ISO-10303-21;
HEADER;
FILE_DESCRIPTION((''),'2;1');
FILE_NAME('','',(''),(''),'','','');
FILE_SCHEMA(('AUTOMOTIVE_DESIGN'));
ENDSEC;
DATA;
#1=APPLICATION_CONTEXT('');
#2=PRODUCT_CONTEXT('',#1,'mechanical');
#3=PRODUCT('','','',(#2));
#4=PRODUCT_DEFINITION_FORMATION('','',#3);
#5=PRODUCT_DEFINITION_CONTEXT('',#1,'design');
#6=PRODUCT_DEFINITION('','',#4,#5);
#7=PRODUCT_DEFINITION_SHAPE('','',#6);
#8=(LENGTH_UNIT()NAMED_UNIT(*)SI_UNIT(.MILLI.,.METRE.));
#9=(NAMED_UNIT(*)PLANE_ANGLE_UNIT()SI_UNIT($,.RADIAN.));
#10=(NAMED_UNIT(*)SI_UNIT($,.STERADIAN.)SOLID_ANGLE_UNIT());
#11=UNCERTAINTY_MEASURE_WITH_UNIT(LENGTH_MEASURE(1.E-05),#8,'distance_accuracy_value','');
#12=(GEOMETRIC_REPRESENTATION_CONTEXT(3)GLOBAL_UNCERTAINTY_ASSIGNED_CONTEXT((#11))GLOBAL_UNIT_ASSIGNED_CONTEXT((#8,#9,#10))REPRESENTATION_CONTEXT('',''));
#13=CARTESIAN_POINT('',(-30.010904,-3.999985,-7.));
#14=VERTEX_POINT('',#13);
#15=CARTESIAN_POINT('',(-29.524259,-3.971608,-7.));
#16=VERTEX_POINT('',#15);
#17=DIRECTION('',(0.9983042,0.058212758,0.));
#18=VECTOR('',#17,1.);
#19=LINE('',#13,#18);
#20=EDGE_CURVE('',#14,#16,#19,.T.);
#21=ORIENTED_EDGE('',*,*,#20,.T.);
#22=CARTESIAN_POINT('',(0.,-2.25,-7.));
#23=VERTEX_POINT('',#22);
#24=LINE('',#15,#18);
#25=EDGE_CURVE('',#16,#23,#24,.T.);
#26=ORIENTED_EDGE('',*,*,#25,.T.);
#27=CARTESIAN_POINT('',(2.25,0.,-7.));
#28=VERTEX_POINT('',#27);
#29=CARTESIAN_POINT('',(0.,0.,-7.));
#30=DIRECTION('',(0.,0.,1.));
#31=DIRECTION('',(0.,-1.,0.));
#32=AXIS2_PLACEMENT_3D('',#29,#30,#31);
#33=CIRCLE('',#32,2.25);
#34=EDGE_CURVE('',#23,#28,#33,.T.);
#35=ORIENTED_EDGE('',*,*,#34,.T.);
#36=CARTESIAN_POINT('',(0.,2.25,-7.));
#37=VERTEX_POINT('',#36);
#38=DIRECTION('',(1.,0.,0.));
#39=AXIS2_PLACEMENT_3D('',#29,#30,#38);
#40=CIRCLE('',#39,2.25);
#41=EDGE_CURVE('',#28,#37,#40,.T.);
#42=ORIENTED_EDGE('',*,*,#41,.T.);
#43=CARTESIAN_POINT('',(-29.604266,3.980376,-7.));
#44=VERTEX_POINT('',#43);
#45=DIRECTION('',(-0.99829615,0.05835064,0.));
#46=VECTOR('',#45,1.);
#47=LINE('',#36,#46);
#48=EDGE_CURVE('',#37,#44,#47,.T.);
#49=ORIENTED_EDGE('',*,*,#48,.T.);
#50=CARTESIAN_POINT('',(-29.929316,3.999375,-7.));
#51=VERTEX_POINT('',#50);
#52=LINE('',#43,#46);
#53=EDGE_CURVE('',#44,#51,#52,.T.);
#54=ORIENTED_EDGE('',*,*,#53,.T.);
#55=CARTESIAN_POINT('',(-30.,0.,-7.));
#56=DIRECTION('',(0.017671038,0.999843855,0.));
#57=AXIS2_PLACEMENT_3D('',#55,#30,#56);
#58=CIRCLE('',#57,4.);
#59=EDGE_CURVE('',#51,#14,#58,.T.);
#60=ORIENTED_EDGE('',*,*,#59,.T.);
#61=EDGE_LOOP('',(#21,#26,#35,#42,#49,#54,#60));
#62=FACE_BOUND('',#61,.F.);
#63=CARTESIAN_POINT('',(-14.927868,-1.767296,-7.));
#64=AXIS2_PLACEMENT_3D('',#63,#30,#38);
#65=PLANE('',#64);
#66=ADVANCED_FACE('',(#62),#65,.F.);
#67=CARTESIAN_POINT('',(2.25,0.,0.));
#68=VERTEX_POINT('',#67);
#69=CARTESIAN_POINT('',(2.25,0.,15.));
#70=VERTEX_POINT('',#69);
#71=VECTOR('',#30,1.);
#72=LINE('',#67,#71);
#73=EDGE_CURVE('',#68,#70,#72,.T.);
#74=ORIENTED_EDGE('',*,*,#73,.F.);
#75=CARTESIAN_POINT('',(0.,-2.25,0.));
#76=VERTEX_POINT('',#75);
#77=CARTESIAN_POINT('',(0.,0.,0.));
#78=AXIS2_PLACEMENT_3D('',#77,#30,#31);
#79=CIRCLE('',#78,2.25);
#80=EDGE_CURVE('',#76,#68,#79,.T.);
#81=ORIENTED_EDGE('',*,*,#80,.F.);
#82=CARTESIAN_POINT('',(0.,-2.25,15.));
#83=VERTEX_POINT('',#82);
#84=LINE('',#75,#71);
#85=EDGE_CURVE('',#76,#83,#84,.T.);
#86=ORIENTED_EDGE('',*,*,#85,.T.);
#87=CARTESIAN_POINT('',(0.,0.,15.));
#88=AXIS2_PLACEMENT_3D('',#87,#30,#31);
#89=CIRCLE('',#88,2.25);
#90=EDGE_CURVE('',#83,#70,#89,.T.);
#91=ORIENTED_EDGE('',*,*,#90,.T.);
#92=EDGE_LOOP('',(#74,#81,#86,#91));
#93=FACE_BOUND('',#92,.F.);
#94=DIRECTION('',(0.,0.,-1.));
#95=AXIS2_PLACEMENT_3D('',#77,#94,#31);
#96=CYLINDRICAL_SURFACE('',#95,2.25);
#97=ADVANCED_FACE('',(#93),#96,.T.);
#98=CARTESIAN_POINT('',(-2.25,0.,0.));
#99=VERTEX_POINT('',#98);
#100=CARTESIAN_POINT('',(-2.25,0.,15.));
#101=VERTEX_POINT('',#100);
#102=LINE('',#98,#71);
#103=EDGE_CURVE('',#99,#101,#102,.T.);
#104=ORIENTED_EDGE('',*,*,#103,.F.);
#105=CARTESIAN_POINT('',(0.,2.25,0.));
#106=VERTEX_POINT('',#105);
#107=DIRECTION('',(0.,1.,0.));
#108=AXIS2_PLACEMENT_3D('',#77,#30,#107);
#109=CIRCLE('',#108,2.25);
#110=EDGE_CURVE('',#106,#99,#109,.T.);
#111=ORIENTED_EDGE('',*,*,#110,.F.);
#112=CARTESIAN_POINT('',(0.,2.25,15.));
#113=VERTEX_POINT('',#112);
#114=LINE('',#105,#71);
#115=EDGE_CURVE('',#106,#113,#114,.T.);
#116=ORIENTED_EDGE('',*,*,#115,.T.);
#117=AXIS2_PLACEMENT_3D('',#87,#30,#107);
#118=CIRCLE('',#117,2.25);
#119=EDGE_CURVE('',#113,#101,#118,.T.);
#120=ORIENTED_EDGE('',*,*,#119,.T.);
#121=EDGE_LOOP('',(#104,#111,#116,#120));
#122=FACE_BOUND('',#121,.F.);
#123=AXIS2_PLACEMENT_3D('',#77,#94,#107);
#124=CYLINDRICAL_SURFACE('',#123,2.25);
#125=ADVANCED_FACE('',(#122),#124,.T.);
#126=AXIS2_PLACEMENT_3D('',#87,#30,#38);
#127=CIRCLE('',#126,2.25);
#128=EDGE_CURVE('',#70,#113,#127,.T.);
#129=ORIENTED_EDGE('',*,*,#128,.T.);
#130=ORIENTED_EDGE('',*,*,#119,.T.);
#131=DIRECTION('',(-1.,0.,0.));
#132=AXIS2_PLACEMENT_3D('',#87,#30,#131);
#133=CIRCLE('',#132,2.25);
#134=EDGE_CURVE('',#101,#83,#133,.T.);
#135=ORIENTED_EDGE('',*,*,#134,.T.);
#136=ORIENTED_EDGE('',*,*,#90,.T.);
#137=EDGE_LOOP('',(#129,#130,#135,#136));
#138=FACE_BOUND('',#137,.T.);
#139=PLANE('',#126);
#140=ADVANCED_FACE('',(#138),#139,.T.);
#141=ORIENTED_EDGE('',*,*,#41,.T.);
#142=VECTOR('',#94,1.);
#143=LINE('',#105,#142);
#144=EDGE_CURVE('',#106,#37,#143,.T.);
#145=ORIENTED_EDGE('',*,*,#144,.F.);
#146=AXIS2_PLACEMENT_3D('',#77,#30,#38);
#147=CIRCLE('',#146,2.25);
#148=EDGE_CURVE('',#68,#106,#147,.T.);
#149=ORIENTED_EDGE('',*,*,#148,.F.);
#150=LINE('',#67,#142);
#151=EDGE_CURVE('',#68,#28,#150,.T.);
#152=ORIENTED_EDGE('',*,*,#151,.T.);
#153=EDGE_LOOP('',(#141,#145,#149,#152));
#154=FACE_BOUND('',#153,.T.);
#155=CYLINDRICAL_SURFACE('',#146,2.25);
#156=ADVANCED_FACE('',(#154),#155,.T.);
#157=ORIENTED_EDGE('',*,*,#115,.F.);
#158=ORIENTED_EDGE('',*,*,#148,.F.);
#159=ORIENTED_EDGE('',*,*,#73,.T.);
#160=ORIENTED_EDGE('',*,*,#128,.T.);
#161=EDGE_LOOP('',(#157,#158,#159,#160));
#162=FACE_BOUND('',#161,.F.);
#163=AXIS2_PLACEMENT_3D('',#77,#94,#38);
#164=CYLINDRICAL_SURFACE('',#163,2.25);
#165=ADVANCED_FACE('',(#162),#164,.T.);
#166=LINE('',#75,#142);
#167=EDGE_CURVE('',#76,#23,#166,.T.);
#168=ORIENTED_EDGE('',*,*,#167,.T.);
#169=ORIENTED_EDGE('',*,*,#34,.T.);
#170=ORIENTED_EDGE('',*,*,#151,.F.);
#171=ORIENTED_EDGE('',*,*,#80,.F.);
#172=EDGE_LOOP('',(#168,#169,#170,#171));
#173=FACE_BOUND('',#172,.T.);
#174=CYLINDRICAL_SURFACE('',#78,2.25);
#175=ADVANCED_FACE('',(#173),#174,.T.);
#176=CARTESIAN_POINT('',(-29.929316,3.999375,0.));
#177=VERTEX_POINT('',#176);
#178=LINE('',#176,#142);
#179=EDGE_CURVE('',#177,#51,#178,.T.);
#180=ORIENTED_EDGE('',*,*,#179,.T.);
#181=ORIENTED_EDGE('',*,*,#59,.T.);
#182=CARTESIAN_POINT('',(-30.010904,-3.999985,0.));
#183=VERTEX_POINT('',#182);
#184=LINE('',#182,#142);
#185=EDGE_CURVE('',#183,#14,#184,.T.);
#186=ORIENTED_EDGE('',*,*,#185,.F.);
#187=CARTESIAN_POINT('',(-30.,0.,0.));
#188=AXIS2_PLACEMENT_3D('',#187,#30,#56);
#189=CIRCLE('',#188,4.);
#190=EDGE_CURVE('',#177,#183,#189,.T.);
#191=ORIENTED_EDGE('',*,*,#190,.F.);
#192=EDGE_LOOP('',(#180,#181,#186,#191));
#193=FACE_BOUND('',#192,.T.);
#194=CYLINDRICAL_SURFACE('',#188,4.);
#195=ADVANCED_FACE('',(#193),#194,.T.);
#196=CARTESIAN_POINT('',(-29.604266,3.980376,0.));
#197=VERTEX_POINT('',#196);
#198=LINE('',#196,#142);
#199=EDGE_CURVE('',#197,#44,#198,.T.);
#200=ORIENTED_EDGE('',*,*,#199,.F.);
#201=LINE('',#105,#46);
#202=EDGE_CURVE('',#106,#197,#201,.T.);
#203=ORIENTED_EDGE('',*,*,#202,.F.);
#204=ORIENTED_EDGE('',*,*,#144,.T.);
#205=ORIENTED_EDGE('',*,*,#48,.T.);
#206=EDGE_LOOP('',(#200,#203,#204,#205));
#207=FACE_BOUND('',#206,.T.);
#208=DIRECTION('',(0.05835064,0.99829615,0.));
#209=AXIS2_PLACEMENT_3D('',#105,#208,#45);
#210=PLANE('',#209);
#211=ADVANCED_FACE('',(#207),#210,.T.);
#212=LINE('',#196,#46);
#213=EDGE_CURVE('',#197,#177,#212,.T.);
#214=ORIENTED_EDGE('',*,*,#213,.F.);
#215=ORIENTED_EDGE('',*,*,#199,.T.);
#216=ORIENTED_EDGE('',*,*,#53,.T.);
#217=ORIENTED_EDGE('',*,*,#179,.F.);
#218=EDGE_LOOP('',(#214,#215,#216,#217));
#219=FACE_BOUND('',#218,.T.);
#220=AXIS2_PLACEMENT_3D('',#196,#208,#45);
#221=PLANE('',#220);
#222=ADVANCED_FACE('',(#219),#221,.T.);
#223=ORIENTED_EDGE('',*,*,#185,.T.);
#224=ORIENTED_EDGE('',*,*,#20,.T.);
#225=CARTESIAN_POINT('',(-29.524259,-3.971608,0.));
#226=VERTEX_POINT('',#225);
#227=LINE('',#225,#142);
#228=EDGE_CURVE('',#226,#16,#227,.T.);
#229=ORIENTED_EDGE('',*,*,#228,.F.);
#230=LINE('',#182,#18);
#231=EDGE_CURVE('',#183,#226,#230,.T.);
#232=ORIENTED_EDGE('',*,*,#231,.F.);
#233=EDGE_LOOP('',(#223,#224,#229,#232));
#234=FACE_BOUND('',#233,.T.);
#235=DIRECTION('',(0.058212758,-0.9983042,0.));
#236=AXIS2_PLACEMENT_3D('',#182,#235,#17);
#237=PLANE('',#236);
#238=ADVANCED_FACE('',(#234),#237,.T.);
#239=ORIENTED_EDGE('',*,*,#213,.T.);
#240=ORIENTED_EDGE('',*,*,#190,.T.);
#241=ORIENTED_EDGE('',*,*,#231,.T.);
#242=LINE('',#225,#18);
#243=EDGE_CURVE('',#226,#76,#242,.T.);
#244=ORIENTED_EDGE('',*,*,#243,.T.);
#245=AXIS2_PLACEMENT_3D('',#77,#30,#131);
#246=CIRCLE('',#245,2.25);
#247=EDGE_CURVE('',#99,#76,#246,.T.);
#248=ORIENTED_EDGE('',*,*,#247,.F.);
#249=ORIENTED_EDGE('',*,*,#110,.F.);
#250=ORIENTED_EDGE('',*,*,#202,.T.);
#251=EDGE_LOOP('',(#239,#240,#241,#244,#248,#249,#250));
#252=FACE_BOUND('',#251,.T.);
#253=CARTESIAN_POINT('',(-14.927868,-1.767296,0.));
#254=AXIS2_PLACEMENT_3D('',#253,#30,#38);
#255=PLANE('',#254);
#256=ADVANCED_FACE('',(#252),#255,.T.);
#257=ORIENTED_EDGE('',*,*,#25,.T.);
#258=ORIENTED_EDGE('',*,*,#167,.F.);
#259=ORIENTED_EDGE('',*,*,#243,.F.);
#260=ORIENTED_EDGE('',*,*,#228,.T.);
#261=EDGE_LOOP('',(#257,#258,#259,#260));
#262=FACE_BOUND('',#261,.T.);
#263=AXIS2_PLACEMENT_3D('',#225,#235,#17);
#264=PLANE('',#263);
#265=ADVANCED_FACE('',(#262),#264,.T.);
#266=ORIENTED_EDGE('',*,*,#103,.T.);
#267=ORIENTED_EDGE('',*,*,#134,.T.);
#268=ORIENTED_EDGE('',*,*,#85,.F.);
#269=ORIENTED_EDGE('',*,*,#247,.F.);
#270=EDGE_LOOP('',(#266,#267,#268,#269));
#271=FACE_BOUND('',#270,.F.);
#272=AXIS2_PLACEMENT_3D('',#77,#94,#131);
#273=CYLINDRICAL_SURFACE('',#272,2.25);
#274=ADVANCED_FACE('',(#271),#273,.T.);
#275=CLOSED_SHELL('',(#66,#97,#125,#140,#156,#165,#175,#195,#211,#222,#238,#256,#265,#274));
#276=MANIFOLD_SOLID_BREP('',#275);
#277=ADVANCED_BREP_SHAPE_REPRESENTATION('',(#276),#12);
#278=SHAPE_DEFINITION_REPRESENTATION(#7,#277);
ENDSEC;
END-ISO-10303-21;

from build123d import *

# Parameters (mm, degrees)
F1_DEPTH = 15
F2_DEPTH = 7


with BuildPart() as f1:
    # F0 (on Top) → F1 (new body)
    with BuildSketch(Plane.XY):
        with BuildLine():
            ThreePointArc((0, 2.25), (-1.5909902577, 1.5909902577), (-2.25, 0))
            ThreePointArc((-2.25, 0), (-1.5909902577, -1.5909902577), (0, -2.25))
            ThreePointArc((0, -2.25), (1.5909902577, -1.5909902577), (2.25, 0))
            ThreePointArc((2.25, 0), (1.5909902577, 1.5909902577), (0, 2.25))
        make_face()
    extrude(amount=F1_DEPTH)

    # F0 (on Top) → F2 (join)
    with BuildSketch(Plane.XY):
        with BuildLine():
            ThreePointArc((0, -2.25), (-1.5909902577, -1.5909902577), (-2.25, 0))
            Line((-2.25, 0), (-26, 0))
            ThreePointArc((-26, 0), (-27.0080973177, -2.654904582), (-29.5242591698, -3.9716080701))
            Line((-29.5242591698, -3.9716080701), (0, -2.25))
        make_face()
        with BuildLine():
            Line((-26, 0), (-2.25, 0))
            ThreePointArc((-2.25, 0), (-1.5909902577, 1.5909902577), (0, 2.25))
            Line((0, 2.25), (-29.6042658314, 3.9803761716))
            ThreePointArc((-29.6042658314, 3.9803761716), (-27.0349589653, 2.6848708838), (-26, 0))
        make_face()
        with BuildLine():
            ThreePointArc((-29.5242591698, -3.9716080701), (-27.0080973177, -2.654904582), (-26, 0))
            ThreePointArc((-26, 0), (-27.0349589653, 2.6848708838), (-29.6042658314, 3.9803761716))
            Line((-29.6042658314, 3.9803761716), (-29.929315846, 3.99937542))
            ThreePointArc((-29.929315846, 3.99937542), (-33.9997919627, 0.0407952813), (-30.0109041304, -3.9999851375))
            Line((-30.0109041304, -3.9999851375), (-29.5242591698, -3.9716080701))
        make_face()
        with BuildLine():
            ThreePointArc((0, 2.25), (-1.5909902577, 1.5909902577), (-2.25, 0))
            ThreePointArc((-2.25, 0), (-1.5909902577, -1.5909902577), (0, -2.25))
            ThreePointArc((0, -2.25), (1.5909902577, -1.5909902577), (2.25, 0))
            ThreePointArc((2.25, 0), (1.5909902577, 1.5909902577), (0, 2.25))
        make_face()
    extrude(amount=-F2_DEPTH)


solid = f1.part
